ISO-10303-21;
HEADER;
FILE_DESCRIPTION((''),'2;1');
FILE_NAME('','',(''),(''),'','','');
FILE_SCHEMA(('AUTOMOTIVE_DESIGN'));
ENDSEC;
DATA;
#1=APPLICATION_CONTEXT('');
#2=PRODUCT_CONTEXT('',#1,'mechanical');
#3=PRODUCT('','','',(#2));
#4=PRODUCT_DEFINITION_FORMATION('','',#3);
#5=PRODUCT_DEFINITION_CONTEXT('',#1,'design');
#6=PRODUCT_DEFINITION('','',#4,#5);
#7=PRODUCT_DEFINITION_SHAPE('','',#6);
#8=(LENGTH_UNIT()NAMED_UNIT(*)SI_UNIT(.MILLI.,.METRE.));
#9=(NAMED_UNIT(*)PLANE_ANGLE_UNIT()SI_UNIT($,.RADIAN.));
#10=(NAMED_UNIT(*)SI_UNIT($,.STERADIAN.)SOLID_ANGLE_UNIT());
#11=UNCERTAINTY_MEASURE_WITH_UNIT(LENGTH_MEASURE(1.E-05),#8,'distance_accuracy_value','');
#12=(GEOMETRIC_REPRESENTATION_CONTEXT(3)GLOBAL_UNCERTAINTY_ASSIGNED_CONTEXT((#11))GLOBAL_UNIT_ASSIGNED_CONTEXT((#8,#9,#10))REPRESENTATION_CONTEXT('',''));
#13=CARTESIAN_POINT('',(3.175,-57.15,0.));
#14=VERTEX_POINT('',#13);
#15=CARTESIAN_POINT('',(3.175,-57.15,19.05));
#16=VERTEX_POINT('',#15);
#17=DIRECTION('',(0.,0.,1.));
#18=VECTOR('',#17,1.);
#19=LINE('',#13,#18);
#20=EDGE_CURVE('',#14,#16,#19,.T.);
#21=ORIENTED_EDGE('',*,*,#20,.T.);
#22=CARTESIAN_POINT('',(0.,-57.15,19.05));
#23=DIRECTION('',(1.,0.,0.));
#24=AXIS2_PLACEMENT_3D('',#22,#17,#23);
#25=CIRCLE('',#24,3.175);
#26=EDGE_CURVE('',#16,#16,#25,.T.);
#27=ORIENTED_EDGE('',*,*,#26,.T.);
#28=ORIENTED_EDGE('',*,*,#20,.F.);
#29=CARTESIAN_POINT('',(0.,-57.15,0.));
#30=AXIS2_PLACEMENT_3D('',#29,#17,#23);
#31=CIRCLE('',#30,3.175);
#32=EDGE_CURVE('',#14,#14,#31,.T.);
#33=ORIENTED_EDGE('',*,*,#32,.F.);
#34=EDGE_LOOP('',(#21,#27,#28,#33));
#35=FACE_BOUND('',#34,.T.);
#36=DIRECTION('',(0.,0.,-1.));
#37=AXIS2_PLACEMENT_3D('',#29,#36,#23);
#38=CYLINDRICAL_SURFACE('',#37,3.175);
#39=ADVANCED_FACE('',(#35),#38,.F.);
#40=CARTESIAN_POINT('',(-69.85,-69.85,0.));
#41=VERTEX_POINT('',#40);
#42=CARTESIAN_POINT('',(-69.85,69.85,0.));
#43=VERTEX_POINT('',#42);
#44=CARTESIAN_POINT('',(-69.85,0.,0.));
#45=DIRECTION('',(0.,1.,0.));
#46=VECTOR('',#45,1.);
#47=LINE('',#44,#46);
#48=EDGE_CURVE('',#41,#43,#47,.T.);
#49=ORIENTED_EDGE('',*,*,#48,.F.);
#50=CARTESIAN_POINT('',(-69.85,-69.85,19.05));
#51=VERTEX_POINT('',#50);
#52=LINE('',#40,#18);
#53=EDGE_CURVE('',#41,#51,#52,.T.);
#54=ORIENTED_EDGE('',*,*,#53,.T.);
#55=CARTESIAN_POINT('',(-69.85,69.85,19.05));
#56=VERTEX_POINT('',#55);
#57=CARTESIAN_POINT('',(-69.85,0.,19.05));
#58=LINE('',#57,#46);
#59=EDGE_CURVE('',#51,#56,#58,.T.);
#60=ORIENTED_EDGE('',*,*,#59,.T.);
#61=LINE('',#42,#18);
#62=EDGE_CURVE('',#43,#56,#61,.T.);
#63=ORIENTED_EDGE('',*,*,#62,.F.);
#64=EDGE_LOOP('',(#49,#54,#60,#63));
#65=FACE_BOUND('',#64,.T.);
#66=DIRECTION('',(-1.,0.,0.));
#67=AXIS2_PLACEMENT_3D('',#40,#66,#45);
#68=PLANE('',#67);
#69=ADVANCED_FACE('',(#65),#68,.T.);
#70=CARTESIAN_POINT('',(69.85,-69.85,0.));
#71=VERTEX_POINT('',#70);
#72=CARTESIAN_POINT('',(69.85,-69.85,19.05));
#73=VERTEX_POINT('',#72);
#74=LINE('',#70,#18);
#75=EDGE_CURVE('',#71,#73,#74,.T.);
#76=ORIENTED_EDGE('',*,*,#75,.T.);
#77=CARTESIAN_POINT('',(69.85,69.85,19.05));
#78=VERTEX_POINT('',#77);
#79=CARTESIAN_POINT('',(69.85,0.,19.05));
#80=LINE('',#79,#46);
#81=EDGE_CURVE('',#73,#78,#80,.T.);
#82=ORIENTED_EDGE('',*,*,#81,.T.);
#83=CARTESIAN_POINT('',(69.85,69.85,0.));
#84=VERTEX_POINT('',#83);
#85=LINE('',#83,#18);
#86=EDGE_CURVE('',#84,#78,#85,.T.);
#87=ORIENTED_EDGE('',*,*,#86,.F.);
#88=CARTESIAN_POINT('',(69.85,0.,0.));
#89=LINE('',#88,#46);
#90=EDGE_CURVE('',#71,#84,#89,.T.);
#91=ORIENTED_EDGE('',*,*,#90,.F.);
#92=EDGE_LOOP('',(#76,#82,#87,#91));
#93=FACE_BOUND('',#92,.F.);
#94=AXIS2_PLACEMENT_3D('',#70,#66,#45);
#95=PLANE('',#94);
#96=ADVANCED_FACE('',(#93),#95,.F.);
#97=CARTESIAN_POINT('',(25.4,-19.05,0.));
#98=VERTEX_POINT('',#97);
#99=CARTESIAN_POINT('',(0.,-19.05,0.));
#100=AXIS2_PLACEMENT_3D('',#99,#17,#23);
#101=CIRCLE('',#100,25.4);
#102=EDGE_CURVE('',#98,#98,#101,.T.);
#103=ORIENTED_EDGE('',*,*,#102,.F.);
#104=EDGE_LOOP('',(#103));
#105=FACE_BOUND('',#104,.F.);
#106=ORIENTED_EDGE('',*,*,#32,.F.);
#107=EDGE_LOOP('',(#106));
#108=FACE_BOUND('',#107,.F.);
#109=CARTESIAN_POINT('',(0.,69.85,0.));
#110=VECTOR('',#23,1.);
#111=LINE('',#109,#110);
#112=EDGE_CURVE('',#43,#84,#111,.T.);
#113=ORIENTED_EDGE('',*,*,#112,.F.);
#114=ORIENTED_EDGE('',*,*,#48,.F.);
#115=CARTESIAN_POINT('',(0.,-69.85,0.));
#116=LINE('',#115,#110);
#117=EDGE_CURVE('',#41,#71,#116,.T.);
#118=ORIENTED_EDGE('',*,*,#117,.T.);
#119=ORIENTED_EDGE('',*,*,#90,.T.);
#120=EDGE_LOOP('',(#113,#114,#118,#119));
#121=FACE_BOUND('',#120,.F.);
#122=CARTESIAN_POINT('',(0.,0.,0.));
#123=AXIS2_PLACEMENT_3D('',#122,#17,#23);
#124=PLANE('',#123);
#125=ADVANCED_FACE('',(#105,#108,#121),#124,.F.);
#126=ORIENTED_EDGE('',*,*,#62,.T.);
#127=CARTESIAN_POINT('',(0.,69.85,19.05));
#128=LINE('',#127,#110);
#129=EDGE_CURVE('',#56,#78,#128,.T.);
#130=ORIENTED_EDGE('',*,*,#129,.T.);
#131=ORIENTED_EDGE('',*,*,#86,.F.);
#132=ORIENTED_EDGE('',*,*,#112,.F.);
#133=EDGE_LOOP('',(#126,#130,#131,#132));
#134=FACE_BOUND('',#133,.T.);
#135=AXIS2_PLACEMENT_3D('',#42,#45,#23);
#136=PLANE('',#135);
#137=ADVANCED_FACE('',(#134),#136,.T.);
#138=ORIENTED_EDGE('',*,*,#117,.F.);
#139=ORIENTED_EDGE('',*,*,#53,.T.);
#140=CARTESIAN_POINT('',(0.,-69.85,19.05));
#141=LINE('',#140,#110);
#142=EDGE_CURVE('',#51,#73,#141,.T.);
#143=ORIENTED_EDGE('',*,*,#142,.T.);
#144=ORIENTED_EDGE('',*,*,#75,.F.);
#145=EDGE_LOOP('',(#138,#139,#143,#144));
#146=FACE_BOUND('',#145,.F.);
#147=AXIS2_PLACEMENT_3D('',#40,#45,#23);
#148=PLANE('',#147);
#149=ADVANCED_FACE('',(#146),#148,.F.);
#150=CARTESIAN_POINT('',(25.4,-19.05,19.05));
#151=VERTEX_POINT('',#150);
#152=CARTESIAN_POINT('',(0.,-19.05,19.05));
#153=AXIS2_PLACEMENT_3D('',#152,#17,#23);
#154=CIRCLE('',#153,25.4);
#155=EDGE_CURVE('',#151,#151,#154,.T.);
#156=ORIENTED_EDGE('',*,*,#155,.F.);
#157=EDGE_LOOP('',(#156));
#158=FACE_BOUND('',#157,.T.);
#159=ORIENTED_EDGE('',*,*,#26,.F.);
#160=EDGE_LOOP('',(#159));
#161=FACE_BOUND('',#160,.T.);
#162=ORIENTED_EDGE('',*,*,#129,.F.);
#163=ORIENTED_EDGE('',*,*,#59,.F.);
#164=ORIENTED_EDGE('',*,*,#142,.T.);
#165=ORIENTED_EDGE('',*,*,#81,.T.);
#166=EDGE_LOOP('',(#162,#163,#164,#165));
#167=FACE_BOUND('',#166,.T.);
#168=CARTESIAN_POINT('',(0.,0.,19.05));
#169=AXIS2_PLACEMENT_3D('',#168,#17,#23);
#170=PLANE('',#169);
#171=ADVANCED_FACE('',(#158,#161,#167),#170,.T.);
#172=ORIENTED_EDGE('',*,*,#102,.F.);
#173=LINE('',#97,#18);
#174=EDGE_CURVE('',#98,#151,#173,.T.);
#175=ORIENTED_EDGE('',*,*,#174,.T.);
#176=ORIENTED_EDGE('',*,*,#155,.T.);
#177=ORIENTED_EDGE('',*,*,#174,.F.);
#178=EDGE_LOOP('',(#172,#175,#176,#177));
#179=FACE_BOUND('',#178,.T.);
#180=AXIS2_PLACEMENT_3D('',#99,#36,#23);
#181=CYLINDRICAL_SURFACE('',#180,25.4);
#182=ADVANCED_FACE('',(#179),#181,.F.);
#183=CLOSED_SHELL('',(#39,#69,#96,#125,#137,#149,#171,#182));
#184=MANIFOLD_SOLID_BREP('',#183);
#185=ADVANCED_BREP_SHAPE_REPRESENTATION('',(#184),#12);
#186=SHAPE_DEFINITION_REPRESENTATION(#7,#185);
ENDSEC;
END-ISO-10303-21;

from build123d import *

# Parameters (mm, degrees)
F0_W     = 139.7
F0_H     = 139.7
F0_R     = 3.175
F0_R_2   = 25.4
F1_DEPTH = 19.05


with BuildPart() as f1:
    # F0 (on Top) → F1 (new body)
    with BuildSketch(Plane.XY):
        Rectangle(F0_W, F0_H)
        with Locations((0, -57.15)):
            Circle(F0_R, mode=Mode.SUBTRACT)
        with Locations((0, -19.05)):
            Circle(F0_R_2, mode=Mode.SUBTRACT)
    extrude(amount=F1_DEPTH)


solid = f1.part
